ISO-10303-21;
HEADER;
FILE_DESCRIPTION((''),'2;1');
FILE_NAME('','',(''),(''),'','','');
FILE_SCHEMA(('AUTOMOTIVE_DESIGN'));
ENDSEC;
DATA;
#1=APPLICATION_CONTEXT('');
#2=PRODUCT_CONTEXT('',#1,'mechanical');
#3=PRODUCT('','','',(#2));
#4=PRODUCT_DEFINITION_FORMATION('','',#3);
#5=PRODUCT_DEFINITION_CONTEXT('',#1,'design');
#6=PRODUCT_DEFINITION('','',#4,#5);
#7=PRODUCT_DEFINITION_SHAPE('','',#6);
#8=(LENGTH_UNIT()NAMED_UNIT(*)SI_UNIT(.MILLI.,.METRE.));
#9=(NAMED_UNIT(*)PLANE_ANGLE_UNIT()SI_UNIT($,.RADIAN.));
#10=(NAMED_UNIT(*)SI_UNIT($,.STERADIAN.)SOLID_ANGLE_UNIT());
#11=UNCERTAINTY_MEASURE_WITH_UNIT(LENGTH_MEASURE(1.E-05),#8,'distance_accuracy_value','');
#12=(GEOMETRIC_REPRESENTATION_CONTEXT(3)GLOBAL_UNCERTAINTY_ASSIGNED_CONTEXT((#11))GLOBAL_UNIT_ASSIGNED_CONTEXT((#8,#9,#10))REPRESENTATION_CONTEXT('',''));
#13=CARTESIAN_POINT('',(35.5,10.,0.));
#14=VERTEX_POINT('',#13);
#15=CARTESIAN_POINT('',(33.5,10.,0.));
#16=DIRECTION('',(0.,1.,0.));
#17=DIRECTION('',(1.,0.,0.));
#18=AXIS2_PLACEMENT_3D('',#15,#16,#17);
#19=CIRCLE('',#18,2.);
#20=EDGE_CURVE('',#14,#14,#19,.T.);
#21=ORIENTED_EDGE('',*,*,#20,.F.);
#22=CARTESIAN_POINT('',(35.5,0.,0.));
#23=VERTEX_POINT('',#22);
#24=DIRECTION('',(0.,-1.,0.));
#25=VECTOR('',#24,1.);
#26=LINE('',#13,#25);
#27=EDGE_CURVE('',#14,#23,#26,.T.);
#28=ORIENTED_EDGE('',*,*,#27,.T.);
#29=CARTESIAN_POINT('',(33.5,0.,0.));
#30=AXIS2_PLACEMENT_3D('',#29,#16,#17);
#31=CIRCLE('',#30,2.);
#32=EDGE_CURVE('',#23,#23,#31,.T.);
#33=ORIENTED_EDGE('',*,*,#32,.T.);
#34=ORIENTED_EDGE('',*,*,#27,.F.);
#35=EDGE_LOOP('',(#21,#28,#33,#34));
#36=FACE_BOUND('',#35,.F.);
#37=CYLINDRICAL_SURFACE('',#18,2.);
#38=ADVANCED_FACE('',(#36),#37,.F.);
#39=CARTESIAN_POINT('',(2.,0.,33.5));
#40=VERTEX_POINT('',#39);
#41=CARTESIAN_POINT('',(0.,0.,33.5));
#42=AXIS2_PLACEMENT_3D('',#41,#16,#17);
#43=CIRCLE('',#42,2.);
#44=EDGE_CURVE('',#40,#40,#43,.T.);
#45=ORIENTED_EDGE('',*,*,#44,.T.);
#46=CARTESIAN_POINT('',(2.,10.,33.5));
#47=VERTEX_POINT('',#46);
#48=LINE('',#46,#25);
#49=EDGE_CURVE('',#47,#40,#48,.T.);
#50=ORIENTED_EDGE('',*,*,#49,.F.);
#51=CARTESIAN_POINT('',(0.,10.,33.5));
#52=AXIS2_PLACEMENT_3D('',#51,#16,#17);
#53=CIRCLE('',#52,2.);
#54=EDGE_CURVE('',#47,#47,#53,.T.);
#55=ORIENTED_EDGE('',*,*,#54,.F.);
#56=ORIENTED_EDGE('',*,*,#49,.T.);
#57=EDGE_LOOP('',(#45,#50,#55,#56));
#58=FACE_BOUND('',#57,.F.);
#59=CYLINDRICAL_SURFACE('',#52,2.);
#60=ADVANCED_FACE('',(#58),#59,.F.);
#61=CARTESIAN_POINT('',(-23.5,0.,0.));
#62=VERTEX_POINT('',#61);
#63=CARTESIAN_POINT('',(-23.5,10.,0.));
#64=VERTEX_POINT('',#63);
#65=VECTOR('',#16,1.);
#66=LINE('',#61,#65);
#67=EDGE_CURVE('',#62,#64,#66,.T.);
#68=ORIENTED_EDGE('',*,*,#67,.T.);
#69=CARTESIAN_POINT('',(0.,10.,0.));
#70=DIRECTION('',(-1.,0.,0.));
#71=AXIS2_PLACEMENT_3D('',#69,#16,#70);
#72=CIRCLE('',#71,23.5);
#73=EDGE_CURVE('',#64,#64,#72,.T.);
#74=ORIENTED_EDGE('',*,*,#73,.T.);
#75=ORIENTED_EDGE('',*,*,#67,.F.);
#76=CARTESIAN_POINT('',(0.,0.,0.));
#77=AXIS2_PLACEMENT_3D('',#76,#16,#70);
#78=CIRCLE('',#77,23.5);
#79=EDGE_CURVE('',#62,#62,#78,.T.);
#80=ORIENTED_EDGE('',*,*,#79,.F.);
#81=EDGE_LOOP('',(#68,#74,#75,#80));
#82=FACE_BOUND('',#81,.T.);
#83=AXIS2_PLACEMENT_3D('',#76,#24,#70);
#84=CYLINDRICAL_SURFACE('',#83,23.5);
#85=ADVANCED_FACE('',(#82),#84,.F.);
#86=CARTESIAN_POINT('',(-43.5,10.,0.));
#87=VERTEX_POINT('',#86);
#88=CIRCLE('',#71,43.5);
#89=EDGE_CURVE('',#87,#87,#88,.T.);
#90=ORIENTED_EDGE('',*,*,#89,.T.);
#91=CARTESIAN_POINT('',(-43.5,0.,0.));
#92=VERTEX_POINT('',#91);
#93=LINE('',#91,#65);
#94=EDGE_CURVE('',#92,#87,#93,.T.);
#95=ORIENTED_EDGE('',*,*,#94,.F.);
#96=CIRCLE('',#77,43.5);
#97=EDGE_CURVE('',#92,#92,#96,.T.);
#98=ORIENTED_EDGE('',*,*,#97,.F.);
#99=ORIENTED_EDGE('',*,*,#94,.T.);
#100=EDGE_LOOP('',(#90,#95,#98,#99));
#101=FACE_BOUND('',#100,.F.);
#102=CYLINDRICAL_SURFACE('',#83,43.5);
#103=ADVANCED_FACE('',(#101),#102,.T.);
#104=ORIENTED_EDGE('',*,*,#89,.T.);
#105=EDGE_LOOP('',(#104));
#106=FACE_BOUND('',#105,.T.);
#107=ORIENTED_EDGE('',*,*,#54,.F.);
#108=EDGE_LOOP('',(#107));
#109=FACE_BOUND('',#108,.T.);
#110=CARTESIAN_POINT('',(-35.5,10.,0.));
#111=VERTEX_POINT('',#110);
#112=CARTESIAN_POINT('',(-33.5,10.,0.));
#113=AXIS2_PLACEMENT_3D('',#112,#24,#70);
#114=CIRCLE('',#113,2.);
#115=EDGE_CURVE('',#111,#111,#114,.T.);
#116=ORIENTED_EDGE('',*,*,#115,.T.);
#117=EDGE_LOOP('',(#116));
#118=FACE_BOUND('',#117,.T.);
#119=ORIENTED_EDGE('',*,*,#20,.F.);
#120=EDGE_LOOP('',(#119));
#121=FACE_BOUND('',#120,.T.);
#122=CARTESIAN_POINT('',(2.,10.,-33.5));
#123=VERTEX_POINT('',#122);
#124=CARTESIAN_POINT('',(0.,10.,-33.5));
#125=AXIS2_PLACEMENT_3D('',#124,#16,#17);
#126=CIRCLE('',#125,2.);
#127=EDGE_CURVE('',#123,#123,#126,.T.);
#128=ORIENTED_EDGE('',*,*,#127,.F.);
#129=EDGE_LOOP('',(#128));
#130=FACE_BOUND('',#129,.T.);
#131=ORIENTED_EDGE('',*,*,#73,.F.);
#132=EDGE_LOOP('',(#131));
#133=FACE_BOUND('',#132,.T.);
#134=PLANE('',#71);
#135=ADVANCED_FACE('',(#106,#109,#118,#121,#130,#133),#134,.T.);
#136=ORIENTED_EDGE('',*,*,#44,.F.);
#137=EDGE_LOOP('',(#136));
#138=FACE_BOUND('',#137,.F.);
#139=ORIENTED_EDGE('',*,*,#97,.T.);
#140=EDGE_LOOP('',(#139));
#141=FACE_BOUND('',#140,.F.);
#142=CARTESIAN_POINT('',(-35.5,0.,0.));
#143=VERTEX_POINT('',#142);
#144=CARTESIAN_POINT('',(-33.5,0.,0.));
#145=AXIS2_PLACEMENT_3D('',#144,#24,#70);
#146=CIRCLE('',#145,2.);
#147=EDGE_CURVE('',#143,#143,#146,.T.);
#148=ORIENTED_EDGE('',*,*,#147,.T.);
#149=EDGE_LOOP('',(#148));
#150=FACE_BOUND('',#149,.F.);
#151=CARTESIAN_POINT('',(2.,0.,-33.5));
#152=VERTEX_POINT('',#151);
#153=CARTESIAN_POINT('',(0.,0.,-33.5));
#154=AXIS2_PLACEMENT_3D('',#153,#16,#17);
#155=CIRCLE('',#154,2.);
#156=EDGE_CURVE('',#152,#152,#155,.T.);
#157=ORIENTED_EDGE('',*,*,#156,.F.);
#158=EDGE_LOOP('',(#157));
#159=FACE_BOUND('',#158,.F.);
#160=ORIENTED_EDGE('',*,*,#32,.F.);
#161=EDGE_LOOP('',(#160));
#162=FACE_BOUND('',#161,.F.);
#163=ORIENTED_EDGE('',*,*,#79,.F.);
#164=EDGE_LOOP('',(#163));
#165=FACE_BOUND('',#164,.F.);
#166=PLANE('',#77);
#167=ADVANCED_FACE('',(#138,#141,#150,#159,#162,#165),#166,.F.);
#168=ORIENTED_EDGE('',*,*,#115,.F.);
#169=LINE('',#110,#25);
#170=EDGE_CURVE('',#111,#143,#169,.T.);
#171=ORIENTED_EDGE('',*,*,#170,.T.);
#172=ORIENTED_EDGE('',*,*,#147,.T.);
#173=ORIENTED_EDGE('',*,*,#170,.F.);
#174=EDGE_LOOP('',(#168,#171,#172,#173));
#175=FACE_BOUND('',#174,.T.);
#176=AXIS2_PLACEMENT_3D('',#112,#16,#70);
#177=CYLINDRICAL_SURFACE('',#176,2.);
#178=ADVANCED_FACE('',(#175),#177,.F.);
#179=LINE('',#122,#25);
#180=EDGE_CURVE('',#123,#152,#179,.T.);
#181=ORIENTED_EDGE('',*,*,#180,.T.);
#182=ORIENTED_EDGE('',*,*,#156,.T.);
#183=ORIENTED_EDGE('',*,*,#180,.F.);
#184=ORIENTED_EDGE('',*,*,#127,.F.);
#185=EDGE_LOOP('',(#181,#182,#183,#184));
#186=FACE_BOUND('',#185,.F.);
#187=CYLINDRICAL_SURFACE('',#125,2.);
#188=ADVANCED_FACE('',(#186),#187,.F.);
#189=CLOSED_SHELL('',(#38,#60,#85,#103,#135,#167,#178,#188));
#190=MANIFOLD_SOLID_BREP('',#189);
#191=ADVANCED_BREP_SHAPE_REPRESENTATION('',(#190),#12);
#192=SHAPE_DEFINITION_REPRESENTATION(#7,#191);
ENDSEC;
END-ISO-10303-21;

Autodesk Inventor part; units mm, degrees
ref_plane "YZ Plane" through (0, 0, 0) normal (1, 0, 0) x (0, 1, 0)
ref_plane "XZ Plane" through (0, 0, 0) normal (0, 1, 0) x (-1, 0, 0)
ref_plane "XY Plane" through (0, 0, 0) normal (0, 0, 1) x (1, 0, 0)
sketch "Sketch1" plane through (0, 0, 0) normal (0, 1, 0) x (-1, 0, 0)
  circle A0 centre (0, 0) radius 23.5
  circle A1 centre (0, 0) radius 43.5
  dimension "d0" = 47
  dimension "d1" = 87
extrude "Extrusion1" add sketch "Sketch1" along normal blind 10
sketch "Sketch2" plane through (0, 10, 0) normal (0, 1, 0) x (1, 0, 0)
  circle A0 centre (33.5, 0) radius 2
  point P0 (0, 0)
  dimension "d4" = 4
extrude "Extrusion2" cut sketch "Sketch2" against normal blind 10
mirror "Mirror1" about plane through (0, 0, 0) normal (1, 0, 0) of "Extrusion2"
sketch "Sketch3" plane through (0, 10, 0) normal (0, 1, 0) x (1, 0, 0)
  circle A0 centre (0, 33.5) radius 2
  circle A1 centre (0, -33.5) radius 2
  point P0 (0, 0)
  dimension "d7" = 4
  dimension "d8" = 4
extrude "Extrusion3" cut sketch "Sketch3" against normal blind 10
ref_plane "Work Plane1" through (0, 0, 0) normal (0, -1, 0) x (1, 0, 0)
properties part number "horizontal_lower_bearing_holder"
